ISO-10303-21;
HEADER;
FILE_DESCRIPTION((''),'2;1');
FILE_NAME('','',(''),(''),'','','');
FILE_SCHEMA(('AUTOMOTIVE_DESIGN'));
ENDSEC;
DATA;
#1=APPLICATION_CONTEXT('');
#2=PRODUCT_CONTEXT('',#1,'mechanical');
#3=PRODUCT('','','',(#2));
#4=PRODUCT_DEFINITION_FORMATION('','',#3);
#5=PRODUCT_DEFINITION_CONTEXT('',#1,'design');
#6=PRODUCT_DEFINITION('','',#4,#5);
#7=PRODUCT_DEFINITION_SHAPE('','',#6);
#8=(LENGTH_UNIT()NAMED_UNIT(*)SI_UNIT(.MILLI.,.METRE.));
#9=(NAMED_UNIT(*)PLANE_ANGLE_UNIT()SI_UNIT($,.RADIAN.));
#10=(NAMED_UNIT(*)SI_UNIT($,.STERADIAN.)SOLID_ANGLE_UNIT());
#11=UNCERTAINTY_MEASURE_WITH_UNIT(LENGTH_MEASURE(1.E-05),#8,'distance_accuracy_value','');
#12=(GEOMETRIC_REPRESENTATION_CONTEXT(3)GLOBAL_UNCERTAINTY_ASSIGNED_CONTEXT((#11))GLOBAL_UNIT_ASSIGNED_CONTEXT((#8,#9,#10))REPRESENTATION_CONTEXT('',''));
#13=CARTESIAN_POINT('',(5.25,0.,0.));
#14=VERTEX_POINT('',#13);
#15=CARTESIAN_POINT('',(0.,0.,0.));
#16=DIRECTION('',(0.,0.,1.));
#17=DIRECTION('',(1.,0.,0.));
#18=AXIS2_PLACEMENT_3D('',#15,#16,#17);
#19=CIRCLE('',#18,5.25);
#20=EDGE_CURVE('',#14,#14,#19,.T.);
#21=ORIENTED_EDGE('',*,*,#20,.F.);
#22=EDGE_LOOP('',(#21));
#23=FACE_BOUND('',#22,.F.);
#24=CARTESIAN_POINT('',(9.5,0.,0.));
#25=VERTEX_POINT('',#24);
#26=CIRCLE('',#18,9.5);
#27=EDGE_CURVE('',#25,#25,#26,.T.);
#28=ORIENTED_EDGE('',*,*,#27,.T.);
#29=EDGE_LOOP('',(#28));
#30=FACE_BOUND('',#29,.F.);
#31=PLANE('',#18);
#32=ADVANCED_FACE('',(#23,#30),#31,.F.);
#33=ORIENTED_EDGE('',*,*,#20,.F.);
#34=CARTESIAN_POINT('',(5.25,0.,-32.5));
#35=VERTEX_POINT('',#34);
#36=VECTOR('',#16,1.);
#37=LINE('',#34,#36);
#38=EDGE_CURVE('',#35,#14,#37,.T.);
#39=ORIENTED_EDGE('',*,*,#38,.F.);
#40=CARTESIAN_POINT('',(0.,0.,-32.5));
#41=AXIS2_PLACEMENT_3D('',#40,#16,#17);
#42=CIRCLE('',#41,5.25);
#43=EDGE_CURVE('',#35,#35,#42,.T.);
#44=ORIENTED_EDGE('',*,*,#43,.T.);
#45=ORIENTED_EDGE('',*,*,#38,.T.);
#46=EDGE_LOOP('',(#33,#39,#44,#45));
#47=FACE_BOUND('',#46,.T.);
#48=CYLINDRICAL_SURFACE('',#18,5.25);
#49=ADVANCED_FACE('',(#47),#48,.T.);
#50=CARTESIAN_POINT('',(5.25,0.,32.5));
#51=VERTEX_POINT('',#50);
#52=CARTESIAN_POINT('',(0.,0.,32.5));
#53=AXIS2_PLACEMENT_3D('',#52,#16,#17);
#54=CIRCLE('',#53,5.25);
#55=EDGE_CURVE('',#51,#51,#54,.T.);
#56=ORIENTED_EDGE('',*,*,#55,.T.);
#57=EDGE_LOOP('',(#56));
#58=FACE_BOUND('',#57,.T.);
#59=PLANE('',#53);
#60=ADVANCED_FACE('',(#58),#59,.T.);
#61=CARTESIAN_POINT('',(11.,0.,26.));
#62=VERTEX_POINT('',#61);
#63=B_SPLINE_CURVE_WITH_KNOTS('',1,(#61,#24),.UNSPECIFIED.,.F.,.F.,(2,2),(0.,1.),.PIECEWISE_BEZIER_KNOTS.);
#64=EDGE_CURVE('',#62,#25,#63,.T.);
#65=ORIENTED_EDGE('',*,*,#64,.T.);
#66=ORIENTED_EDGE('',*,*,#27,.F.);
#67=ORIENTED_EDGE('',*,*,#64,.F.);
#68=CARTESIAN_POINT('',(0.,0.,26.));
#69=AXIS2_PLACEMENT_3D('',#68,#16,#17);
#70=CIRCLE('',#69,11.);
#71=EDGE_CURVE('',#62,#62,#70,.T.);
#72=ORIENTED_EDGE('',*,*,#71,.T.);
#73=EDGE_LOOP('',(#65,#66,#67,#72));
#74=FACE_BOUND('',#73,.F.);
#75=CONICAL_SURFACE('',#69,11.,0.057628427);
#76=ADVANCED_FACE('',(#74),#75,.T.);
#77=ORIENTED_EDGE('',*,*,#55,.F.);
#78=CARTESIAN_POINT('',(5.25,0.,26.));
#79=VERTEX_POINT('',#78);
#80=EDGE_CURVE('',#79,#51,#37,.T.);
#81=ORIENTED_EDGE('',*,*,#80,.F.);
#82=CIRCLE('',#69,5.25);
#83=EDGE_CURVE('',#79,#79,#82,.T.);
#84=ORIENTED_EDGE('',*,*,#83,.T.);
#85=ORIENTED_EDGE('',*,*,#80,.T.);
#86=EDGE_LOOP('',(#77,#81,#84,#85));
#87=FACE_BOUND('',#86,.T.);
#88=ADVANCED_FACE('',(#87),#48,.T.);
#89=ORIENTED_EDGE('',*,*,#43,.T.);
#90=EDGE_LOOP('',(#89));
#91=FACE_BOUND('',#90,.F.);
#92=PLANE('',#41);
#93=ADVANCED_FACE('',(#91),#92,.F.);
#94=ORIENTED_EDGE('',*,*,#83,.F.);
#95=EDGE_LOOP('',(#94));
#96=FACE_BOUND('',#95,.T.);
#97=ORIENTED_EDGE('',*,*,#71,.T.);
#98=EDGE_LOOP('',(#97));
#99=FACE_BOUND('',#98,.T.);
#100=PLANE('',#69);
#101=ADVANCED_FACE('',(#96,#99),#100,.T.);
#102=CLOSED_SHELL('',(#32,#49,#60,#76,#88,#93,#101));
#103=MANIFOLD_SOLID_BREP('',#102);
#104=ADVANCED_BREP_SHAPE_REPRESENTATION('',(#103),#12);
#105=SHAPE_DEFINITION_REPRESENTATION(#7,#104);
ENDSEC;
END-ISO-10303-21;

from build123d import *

# Parameters (mm, degrees)
F2_R     = 11
F0_R     = 9.5
F4_R     = 5.25
F5_DEPTH = 32.5


with BuildPart() as f3:
    # F2 (on offset) → F3 section 0
    with BuildSketch(Plane.XY.offset(26)):
        Circle(F2_R)
    # F0 (on Top) → F3 section 1
    with BuildSketch(Plane.XY):
        Circle(F0_R)
    loft()

    # F4 (on Top) → F5 (join, symmetric)
    with BuildSketch(Plane.XY):
        Circle(F4_R)
    extrude(amount=F5_DEPTH, both=True)


solid = f3.part
